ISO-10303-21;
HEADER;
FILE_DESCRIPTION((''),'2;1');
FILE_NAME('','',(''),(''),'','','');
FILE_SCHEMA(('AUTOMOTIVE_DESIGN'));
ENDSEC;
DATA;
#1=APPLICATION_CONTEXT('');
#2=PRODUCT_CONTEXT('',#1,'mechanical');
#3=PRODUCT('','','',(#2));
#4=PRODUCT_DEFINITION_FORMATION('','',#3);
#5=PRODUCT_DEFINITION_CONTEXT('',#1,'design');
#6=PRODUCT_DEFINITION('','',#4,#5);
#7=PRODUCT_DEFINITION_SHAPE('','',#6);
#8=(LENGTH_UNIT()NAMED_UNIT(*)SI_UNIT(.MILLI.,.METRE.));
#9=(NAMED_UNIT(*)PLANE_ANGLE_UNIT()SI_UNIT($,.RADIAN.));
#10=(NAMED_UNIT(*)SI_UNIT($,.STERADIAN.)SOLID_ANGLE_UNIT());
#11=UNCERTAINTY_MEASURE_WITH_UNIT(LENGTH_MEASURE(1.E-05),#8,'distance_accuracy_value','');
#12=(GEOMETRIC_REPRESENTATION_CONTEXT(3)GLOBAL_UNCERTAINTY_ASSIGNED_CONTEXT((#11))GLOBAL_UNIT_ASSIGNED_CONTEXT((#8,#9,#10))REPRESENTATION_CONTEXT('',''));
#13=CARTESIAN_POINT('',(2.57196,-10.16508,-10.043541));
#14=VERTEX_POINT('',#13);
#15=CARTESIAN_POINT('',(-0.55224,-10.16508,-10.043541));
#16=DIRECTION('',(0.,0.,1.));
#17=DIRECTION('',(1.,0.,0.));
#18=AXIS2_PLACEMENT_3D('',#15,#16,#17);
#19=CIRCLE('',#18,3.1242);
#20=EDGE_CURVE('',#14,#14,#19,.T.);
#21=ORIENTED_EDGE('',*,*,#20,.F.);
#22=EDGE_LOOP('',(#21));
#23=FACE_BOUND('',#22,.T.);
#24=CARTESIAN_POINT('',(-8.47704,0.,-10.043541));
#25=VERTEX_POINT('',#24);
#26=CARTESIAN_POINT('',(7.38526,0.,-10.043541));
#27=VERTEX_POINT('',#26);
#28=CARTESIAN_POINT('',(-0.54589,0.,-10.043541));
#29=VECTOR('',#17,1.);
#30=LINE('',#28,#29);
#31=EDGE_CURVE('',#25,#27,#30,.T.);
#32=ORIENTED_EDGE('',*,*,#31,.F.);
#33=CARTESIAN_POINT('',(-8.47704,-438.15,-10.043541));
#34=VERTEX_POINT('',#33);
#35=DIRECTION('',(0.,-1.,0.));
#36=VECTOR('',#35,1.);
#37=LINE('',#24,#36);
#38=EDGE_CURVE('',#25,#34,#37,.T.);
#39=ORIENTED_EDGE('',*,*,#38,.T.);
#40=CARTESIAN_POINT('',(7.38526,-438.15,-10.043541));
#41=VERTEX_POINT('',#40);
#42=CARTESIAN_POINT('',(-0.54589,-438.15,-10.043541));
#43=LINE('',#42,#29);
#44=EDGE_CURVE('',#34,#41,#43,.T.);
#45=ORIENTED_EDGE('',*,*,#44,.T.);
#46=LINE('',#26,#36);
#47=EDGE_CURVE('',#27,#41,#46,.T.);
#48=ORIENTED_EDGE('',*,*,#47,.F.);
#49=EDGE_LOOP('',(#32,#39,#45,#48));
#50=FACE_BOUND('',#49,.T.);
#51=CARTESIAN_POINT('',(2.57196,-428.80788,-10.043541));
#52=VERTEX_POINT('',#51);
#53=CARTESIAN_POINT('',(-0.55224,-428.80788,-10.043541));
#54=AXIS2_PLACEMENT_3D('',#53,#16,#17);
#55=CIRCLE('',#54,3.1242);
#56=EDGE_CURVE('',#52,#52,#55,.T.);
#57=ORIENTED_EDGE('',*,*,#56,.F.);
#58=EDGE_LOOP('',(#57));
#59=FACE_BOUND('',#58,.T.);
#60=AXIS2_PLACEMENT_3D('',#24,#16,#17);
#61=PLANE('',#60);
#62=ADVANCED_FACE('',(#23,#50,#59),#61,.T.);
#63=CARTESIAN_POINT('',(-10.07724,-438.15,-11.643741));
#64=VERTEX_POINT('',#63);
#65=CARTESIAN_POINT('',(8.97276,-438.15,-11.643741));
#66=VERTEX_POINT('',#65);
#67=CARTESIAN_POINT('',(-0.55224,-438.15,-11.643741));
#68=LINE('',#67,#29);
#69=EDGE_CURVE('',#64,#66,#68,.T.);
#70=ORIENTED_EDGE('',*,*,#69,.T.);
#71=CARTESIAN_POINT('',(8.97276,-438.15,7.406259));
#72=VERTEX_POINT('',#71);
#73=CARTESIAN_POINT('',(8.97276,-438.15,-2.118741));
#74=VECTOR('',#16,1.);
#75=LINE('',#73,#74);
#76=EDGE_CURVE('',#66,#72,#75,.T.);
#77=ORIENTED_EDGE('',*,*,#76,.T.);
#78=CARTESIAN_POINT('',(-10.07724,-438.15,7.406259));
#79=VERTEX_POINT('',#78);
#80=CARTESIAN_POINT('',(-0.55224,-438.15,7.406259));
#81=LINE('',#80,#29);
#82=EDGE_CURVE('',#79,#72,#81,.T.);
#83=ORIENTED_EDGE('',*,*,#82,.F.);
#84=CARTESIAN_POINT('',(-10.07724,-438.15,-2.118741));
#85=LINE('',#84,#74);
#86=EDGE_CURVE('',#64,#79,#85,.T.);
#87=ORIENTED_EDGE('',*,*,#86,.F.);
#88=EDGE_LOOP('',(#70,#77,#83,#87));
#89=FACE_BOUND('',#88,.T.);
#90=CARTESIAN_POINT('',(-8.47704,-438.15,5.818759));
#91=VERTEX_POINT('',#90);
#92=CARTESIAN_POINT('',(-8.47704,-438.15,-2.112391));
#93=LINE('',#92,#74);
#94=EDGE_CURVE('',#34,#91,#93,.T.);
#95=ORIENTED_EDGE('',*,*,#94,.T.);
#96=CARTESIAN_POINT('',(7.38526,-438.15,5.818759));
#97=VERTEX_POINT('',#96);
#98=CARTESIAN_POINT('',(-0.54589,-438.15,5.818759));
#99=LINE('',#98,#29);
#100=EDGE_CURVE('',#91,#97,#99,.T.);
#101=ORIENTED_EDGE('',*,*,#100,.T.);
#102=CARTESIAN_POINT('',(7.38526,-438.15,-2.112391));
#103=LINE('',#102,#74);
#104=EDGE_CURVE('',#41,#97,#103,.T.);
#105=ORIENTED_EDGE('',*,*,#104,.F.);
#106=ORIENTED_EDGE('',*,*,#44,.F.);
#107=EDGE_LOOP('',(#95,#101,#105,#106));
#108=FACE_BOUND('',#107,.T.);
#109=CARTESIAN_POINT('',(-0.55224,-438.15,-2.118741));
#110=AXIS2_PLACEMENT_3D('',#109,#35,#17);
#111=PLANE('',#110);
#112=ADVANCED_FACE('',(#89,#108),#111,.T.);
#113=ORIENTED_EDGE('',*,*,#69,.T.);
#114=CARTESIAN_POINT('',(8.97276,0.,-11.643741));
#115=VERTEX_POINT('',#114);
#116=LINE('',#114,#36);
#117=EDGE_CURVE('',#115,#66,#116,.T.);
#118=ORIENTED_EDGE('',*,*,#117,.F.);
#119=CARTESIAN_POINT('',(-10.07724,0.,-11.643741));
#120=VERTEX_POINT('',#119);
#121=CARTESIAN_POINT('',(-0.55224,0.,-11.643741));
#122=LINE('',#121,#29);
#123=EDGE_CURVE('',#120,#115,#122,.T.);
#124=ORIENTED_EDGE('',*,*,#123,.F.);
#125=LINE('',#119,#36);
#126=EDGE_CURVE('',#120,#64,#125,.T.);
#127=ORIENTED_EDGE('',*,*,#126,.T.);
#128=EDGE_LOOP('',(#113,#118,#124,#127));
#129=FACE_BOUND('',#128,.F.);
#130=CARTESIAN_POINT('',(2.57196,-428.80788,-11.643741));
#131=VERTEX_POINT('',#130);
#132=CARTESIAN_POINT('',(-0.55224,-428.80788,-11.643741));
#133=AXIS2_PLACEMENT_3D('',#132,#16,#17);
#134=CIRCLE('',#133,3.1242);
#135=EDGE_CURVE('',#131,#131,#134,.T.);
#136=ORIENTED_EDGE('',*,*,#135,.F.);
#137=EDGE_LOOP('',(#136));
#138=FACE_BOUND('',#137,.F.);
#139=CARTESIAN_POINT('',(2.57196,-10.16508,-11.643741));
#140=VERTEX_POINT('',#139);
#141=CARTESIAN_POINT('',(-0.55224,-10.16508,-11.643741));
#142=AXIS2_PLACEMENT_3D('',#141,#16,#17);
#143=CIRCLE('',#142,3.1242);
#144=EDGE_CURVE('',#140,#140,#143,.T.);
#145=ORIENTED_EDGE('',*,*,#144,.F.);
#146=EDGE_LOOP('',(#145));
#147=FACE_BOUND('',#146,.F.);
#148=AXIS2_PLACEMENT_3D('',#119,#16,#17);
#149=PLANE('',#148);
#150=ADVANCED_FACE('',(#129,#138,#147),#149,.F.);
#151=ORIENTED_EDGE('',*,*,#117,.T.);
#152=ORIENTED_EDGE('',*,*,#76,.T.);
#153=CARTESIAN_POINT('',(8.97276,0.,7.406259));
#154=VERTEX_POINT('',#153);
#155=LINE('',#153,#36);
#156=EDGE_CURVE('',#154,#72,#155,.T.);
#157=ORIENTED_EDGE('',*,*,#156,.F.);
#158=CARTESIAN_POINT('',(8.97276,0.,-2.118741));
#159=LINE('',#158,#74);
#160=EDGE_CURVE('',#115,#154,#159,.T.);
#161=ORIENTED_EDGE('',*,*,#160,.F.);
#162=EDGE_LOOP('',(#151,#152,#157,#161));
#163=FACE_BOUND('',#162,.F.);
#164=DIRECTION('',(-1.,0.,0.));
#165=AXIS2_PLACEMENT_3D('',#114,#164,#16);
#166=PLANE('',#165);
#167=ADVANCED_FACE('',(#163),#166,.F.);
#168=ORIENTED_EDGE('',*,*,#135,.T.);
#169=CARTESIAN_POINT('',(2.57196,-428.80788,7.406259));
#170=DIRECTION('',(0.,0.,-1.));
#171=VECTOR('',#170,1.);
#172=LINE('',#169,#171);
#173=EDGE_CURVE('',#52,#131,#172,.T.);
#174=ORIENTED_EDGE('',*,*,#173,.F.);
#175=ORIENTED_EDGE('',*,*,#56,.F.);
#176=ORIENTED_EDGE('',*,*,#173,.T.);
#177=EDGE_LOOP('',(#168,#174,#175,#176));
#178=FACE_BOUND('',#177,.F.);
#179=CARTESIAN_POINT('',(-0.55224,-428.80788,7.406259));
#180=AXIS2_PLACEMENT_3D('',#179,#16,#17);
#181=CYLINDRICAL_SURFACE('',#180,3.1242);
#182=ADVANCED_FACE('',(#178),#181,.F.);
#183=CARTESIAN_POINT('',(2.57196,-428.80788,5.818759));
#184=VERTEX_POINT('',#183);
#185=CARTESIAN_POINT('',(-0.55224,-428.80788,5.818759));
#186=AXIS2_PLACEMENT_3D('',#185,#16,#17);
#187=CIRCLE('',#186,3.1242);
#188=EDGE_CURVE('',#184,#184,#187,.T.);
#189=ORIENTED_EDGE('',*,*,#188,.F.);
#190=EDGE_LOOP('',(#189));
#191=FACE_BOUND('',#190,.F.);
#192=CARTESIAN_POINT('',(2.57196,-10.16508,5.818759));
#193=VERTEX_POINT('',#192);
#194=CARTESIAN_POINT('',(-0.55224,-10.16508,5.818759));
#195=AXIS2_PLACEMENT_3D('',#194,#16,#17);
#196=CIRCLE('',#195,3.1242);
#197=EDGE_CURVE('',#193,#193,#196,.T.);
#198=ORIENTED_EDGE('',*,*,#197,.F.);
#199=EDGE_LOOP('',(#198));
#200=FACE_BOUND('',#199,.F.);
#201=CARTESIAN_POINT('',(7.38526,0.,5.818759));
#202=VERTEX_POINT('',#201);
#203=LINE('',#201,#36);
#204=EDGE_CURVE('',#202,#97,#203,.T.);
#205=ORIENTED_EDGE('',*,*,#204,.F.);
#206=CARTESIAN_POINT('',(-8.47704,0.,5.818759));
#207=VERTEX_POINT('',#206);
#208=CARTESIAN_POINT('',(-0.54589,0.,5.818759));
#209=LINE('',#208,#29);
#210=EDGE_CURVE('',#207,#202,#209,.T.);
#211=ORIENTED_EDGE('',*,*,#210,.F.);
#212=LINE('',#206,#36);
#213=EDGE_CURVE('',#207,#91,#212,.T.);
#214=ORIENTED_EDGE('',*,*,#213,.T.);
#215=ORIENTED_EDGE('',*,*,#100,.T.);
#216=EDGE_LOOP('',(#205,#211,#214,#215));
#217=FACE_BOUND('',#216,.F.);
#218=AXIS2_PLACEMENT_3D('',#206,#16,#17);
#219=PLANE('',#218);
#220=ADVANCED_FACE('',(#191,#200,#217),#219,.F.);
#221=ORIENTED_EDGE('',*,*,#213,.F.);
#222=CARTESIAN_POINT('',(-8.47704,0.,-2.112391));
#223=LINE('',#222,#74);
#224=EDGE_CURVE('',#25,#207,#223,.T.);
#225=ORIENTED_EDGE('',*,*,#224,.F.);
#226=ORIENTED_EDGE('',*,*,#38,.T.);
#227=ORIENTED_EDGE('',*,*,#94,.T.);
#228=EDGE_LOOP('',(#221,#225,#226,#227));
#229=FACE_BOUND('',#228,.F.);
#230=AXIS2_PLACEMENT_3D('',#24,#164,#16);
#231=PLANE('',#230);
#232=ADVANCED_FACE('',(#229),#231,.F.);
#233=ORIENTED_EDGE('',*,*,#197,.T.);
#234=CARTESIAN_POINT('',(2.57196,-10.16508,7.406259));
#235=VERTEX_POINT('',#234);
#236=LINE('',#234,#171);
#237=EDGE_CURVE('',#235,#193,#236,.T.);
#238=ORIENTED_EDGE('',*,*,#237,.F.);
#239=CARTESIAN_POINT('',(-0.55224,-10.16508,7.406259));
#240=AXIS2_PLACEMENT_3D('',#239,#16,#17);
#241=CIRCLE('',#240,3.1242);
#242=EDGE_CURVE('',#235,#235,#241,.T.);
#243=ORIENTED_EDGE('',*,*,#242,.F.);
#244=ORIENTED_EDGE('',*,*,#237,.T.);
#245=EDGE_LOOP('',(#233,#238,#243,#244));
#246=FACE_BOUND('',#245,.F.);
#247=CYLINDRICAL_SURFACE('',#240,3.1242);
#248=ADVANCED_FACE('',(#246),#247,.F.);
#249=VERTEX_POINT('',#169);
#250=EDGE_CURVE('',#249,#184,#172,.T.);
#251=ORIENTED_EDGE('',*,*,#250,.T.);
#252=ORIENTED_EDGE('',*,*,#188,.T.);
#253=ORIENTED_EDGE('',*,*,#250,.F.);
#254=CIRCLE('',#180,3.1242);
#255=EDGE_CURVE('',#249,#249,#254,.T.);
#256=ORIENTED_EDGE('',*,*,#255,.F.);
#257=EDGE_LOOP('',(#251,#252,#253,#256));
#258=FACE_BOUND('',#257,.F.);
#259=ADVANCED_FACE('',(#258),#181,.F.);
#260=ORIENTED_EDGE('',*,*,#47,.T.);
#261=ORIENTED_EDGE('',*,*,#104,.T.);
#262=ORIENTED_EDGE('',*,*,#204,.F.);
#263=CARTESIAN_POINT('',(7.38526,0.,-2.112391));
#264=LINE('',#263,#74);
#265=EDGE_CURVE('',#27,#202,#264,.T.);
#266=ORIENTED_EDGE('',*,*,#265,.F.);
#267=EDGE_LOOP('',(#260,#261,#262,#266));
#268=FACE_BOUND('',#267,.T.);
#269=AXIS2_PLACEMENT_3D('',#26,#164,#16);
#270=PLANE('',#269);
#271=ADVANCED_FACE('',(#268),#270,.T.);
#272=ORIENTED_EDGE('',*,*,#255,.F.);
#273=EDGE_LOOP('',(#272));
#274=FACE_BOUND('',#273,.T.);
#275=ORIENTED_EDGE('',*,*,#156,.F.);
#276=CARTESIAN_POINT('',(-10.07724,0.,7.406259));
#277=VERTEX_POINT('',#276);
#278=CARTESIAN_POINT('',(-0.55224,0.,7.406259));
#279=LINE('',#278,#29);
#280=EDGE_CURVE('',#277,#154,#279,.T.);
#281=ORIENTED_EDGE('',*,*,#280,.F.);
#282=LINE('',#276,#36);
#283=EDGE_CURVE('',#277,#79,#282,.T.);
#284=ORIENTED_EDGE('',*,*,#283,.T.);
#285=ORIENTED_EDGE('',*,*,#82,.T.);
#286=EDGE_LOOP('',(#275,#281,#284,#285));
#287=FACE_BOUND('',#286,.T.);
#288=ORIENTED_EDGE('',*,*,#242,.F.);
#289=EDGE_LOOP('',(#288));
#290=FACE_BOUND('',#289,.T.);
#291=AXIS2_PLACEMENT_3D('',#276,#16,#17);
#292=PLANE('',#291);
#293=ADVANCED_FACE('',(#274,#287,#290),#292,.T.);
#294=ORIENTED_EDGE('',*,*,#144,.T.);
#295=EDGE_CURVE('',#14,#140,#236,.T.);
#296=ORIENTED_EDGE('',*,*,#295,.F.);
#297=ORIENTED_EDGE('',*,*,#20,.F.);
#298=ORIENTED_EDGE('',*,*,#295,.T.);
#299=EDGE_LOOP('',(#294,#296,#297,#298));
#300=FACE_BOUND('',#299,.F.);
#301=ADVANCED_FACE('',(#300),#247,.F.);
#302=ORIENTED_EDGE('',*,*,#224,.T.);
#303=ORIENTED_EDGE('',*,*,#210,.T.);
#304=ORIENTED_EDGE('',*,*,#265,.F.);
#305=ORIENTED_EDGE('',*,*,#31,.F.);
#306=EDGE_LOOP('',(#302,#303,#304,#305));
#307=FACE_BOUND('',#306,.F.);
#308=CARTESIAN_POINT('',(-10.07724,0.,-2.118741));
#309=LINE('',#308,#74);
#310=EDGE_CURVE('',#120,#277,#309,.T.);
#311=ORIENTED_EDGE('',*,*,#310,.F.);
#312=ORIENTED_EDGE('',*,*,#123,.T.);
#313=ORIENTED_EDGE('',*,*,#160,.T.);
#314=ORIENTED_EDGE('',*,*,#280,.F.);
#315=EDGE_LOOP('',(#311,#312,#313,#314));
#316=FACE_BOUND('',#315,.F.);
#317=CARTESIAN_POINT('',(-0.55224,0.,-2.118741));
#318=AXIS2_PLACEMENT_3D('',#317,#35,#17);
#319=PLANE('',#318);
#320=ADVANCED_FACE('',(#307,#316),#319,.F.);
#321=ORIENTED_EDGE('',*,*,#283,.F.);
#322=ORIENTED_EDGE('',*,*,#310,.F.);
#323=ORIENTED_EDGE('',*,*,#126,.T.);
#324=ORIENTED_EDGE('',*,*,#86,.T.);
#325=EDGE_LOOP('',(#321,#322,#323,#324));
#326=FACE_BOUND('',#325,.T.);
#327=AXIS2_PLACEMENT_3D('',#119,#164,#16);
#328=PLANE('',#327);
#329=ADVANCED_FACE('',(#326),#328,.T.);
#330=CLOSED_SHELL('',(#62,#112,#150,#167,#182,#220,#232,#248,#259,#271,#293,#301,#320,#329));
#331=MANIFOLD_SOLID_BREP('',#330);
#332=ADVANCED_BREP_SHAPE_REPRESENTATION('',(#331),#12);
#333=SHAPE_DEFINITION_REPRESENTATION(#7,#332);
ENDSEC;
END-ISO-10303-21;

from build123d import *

# Parameters (mm, degrees)
F0_W     = 19.05
F0_H     = 19.05
F0_W_2   = 15.8623
F0_H_2   = 15.8623
F1_DEPTH = 438.15
F2_R     = 3.1242
F3_DEPTH = 19.051


with BuildPart() as f1:
    # F0 (on Front) → F1 (new body)
    with BuildSketch(Plane.XZ):
        with Locations((-0.55224, -2.118741)):
            Rectangle(F0_W, F0_H)
        with Locations((-0.54589, -2.112391)):
            Rectangle(F0_W_2, F0_H_2, mode=Mode.SUBTRACT)
    extrude(amount=F1_DEPTH)

    # F2 (on face) → F3 (cut, through all)
    with BuildSketch(Plane.XY.offset(7.406259)):
        with Locations((-0.55224, -10.16508)):
            Circle(F2_R)
        with Locations((-0.55224, -428.80788)):
            Circle(F2_R)
    extrude(amount=-F3_DEPTH, mode=Mode.SUBTRACT)


solid = f1.part
